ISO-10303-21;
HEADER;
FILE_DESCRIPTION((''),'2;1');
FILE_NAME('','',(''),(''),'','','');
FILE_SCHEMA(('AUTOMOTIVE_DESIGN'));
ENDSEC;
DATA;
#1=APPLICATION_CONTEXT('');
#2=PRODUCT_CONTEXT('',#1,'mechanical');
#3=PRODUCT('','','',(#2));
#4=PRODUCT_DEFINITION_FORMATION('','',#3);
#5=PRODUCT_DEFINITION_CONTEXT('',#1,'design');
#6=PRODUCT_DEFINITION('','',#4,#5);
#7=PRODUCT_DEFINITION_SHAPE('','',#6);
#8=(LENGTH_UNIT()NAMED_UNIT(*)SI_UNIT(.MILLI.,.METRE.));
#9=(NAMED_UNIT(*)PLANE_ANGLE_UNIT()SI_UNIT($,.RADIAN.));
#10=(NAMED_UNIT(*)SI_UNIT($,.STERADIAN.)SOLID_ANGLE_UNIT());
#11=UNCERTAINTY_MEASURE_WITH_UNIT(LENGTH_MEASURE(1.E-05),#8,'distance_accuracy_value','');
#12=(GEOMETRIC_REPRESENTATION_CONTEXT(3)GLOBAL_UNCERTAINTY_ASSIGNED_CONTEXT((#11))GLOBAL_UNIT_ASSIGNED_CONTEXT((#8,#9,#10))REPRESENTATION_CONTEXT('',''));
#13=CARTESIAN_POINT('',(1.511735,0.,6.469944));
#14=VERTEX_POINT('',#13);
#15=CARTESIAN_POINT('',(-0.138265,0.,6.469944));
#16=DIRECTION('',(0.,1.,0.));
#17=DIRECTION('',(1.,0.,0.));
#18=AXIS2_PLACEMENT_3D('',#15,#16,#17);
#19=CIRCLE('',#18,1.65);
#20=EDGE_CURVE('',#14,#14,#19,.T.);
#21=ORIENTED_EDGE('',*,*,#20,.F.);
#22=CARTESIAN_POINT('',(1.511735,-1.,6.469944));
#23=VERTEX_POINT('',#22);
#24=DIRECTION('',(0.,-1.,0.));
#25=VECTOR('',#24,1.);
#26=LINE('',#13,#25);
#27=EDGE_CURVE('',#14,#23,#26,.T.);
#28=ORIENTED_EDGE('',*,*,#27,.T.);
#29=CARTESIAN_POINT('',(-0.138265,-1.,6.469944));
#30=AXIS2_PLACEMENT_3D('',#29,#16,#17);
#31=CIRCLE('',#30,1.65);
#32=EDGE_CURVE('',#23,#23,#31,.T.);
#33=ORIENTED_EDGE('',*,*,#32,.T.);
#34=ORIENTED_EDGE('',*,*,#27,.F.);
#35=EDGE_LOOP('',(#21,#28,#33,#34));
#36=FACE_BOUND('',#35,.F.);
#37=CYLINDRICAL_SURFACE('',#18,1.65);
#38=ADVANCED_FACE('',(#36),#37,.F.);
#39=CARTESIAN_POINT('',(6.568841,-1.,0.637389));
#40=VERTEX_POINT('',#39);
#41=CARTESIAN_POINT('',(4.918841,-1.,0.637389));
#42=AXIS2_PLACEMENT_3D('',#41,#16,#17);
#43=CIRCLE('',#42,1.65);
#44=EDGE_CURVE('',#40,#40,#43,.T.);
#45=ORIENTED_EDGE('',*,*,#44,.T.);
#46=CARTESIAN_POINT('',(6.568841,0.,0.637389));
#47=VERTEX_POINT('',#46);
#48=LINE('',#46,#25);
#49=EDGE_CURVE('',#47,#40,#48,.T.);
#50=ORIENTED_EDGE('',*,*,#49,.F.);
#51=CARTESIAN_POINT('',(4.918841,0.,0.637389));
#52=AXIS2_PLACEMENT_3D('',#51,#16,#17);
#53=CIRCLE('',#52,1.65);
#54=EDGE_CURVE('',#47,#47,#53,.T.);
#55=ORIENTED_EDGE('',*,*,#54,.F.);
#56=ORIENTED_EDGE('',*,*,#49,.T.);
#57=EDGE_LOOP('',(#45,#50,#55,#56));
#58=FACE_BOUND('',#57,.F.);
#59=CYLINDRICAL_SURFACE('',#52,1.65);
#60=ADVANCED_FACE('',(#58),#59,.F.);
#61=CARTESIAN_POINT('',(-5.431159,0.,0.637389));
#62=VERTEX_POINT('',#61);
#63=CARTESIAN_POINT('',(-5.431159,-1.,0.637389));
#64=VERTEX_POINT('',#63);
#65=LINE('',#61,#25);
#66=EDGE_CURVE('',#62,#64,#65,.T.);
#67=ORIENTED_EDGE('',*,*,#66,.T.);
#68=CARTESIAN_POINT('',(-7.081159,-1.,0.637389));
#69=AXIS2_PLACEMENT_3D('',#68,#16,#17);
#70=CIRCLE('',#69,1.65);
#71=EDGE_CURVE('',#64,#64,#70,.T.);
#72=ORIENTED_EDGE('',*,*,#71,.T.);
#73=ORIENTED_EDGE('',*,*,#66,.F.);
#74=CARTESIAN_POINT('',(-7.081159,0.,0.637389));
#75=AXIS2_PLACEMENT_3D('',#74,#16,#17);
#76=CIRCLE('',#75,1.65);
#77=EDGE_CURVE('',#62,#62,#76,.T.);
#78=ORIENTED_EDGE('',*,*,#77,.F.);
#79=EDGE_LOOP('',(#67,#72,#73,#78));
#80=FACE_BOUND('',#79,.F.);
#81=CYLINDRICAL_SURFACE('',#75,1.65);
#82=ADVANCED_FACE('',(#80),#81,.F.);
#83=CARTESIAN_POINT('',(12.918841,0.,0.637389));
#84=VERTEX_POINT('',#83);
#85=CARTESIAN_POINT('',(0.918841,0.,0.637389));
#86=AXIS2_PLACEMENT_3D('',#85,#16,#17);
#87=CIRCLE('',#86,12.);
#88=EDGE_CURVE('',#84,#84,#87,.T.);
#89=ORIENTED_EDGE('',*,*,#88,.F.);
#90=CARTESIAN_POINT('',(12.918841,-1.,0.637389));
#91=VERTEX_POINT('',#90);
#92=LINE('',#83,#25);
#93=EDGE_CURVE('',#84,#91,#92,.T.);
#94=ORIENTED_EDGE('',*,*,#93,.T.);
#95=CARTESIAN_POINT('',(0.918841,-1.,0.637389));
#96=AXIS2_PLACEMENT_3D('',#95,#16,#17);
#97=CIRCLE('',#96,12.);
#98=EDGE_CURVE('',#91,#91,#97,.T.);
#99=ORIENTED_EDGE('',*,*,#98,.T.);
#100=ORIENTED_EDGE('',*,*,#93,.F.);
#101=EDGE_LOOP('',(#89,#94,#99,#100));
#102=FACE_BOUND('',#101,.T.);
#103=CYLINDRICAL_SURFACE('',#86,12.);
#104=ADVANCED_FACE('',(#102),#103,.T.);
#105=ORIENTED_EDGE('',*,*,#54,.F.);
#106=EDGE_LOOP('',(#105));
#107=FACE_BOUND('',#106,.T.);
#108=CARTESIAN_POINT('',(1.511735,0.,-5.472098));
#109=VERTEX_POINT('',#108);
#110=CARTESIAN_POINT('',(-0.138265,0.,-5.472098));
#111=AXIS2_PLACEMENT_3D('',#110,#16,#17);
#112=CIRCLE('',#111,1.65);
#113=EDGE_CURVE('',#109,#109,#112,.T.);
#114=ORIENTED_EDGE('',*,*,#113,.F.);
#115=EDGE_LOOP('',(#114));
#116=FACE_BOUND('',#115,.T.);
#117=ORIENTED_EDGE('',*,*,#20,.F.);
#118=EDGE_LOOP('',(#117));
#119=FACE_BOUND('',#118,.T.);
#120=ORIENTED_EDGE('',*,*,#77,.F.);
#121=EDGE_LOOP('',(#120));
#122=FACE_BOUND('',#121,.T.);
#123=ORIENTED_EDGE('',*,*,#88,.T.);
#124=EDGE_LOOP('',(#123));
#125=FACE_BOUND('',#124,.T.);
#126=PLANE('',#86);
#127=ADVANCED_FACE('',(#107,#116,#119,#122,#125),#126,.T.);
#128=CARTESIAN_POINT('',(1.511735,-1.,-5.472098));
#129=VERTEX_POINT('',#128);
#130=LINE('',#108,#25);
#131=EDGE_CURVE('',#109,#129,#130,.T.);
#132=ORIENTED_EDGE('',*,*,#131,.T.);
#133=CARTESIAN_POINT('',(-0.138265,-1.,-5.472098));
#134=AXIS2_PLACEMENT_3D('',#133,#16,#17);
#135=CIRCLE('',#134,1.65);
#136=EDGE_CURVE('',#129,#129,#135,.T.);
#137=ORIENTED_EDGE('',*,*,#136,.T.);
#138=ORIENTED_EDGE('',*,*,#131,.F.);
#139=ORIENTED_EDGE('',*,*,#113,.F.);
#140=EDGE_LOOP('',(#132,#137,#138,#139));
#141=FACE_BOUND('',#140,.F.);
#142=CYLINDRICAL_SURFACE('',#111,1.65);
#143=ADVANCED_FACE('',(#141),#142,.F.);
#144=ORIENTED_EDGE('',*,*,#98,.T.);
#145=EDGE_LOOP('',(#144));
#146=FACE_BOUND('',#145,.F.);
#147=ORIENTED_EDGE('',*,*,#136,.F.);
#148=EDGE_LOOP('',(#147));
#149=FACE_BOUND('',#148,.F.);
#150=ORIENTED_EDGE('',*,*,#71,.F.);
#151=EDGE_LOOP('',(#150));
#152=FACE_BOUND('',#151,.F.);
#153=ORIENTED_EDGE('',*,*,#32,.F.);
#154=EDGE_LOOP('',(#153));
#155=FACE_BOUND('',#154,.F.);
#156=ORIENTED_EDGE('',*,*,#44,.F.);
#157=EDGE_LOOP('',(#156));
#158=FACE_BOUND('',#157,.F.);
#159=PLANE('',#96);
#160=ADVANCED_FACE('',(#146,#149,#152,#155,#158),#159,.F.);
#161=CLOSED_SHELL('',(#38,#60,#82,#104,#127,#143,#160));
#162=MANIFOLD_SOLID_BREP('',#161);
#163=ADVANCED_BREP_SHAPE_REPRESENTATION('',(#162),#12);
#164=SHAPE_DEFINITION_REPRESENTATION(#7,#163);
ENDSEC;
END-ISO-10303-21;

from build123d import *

# Parameters (mm, degrees)
SKETCH1_R           = 12
SKETCH1_R_2         = 1.65
BOSS_EXTRUDE1_DEPTH = 1


with BuildPart() as part:
    # Sketch1 → Boss-Extrude1 (new body)
    with BuildSketch(Plane(origin=(0, 0, 0), x_dir=(1, 0, 0), z_dir=(0, 1, 0))):
        with Locations((0.918840798, -0.637389416)):
            Circle(SKETCH1_R)
        with Locations((-0.138265228, 5.472098091)):
            Circle(SKETCH1_R_2, mode=Mode.SUBTRACT)
        with Locations((-0.138265228, -6.469943597)):
            Circle(SKETCH1_R_2, mode=Mode.SUBTRACT)
        with Locations((-7.081159202, -0.637389416)):
            Circle(SKETCH1_R_2, mode=Mode.SUBTRACT)
        with Locations((4.918840798, -0.637389416)):
            Circle(SKETCH1_R_2, mode=Mode.SUBTRACT)
    extrude(amount=-BOSS_EXTRUDE1_DEPTH)


solid = part.part
